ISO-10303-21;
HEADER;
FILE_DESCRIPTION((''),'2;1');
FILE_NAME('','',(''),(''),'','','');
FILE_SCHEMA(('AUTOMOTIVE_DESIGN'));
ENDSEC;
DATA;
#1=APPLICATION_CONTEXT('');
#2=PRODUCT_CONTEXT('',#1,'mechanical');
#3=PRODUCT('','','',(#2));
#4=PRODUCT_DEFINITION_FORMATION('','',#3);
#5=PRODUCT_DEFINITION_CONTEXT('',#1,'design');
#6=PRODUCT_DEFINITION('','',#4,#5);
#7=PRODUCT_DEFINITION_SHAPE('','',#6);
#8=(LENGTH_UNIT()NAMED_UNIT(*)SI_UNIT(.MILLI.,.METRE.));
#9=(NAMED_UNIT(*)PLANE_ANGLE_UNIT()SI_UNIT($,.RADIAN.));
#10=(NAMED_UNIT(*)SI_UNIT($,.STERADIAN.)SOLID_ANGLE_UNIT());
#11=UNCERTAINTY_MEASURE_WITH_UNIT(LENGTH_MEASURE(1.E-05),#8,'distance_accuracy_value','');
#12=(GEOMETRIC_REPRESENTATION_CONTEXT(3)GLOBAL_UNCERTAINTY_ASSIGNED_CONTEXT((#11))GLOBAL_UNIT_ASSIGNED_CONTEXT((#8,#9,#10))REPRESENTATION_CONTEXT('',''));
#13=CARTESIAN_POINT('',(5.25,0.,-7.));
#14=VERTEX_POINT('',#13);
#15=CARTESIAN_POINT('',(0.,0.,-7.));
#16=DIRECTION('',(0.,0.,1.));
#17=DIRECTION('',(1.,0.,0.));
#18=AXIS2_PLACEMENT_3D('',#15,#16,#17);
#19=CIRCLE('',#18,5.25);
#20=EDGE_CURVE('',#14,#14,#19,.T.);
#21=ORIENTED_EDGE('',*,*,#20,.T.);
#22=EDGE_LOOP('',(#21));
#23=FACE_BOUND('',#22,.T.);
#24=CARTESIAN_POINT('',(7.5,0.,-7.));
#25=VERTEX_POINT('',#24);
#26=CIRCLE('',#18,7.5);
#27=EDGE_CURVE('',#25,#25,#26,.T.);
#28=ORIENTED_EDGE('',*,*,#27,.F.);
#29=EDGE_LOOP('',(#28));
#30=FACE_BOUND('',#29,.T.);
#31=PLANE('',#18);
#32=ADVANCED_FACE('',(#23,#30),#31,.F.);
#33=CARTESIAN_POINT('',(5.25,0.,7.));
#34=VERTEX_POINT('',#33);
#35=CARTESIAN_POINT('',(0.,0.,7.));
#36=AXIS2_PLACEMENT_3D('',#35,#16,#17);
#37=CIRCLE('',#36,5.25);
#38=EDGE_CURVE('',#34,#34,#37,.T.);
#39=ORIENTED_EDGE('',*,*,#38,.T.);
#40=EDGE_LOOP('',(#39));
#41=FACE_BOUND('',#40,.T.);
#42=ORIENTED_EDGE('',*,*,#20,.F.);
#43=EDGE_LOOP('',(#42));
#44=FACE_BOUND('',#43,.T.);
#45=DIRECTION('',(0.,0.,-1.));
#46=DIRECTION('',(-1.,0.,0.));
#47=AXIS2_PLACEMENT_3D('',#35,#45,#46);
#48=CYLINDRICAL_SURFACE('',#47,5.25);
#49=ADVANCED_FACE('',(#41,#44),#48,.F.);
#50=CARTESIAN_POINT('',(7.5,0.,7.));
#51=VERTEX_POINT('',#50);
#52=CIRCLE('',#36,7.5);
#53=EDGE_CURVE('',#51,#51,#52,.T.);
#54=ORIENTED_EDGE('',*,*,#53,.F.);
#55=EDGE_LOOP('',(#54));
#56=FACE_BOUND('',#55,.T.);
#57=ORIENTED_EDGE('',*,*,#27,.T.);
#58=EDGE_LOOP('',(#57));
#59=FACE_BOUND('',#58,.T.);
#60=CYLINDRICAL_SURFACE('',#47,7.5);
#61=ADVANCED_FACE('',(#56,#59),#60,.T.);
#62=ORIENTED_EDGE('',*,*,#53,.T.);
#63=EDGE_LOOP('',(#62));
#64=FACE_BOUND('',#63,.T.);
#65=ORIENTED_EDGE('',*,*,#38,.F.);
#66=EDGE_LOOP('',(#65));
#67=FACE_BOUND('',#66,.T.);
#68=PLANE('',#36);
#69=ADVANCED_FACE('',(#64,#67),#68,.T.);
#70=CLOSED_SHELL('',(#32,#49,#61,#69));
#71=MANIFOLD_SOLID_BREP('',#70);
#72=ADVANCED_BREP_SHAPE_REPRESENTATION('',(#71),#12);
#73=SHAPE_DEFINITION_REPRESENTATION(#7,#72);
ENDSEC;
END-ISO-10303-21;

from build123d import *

# Parameters (mm, degrees)
ESBO_O1_R       = 7.5
ESBO_O1_R_2     = 5.25
EXTRUS_O1_DEPTH = 7


with BuildPart() as part:
    # Esboço1 → Extrusão1 (new, symmetric)
    with BuildSketch(Plane.XY):
        Circle(ESBO_O1_R)
        Circle(ESBO_O1_R_2, mode=Mode.SUBTRACT)
    extrude(amount=EXTRUS_O1_DEPTH, both=True)


solid = part.part
